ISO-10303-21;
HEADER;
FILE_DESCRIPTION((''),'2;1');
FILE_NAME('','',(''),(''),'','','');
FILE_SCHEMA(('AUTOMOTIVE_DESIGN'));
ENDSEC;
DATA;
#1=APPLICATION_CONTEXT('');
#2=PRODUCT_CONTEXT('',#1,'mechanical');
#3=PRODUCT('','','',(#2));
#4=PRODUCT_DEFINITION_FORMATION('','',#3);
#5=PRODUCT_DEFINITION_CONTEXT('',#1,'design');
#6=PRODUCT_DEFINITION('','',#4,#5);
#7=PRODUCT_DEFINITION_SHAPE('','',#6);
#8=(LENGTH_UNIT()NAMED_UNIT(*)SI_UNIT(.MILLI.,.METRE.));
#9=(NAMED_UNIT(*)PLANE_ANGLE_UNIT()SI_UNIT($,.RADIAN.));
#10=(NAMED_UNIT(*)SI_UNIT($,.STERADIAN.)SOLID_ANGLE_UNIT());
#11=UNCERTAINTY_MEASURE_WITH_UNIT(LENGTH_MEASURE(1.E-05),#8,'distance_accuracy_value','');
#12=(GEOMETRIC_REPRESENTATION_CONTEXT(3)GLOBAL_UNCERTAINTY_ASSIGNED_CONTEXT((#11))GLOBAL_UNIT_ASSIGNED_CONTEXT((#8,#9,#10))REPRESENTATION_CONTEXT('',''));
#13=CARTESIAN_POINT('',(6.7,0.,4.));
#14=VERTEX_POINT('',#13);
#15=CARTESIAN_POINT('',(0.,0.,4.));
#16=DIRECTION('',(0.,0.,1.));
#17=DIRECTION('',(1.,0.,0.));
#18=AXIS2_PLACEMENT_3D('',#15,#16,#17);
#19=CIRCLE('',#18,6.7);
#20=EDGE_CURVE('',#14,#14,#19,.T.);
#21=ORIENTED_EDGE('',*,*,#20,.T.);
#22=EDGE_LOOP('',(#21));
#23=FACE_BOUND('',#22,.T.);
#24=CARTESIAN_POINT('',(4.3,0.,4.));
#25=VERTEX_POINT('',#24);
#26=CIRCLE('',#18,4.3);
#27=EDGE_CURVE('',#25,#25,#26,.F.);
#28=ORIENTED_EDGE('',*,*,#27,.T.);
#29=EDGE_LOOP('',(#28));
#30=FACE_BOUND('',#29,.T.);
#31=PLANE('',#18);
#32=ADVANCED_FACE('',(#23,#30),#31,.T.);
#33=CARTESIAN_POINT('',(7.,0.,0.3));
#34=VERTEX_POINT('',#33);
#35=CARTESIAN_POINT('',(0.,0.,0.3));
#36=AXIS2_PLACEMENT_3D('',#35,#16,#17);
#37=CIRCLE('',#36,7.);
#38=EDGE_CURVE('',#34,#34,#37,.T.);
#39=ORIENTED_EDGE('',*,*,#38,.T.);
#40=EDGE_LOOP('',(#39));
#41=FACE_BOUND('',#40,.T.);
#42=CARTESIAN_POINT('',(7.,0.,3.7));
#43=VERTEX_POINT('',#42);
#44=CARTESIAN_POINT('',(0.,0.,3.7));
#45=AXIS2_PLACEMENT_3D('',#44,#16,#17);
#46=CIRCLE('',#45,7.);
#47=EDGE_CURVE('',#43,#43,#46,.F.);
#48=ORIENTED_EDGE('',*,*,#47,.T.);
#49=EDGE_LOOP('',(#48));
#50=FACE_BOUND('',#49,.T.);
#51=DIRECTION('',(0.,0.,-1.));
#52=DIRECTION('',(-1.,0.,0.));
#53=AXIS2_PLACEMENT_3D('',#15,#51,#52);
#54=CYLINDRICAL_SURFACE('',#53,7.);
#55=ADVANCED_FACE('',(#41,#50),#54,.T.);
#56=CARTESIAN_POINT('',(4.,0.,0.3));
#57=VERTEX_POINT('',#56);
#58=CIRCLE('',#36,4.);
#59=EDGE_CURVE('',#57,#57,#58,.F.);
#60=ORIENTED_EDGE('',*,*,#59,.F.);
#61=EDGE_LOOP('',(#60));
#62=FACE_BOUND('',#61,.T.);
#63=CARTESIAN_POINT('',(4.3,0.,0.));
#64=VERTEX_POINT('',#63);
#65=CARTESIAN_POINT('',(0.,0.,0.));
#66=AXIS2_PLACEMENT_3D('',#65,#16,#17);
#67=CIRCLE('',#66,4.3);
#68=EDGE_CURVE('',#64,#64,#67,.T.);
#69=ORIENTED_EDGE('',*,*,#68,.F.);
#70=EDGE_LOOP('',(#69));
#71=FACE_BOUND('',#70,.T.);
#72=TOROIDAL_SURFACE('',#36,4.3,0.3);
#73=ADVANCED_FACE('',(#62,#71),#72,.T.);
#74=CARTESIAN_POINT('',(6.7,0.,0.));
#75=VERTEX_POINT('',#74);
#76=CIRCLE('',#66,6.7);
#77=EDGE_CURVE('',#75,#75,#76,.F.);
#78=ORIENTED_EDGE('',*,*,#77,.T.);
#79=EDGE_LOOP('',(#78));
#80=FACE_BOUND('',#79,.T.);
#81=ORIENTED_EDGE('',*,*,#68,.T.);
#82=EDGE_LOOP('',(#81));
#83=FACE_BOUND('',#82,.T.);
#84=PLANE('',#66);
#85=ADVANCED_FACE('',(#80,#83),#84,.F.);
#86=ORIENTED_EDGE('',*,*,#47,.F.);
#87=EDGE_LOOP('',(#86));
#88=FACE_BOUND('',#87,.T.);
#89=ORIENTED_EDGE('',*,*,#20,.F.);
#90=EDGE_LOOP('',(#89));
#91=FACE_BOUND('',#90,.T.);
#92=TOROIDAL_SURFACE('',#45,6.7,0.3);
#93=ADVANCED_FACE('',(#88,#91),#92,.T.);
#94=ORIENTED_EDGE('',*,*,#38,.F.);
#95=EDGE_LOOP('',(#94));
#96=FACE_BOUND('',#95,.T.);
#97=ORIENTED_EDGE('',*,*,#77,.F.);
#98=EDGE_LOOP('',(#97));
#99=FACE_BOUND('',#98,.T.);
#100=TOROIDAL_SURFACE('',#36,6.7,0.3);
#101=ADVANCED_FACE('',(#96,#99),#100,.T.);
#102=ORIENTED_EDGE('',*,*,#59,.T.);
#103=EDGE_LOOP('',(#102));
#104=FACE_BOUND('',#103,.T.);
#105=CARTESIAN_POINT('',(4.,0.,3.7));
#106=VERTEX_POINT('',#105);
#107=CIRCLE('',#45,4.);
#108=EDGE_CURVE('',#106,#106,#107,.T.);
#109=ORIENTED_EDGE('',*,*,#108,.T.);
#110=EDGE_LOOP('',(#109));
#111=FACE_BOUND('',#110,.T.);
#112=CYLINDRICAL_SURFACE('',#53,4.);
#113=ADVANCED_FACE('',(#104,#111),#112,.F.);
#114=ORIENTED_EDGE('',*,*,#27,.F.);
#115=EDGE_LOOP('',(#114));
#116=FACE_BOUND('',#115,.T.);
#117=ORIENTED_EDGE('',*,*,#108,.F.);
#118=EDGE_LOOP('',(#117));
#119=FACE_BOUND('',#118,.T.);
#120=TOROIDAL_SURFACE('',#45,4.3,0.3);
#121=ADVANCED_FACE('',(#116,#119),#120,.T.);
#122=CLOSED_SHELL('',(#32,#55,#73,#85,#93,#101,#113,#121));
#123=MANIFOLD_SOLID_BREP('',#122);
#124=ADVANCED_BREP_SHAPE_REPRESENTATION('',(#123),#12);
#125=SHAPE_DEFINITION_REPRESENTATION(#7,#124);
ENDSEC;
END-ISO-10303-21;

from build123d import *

# Parameters (mm, degrees)
SKETCH_1_R      = 7
SKETCH_1_R_2    = 4
EXTRUDE_1_DEPTH = 4
FILLET_1_R      = 0.3


with BuildPart() as part:
    # 草图1 → 凸台-拉伸1 (new body)
    with BuildSketch(Plane.XY):
        Circle(SKETCH_1_R)
        Circle(SKETCH_1_R_2, mode=Mode.SUBTRACT)
    extrude(amount=EXTRUDE_1_DEPTH)

    # 圆角1
    fillet_1_edges = [part.edges().sort_by_distance(p)[0] for p in [
        (-7, 0, 0),
        (-7, 0, 4),
        (-4, 0, 0),
        (-4, 0, 4),
    ]]
    fillet(fillet_1_edges, radius=FILLET_1_R)


solid = part.part
